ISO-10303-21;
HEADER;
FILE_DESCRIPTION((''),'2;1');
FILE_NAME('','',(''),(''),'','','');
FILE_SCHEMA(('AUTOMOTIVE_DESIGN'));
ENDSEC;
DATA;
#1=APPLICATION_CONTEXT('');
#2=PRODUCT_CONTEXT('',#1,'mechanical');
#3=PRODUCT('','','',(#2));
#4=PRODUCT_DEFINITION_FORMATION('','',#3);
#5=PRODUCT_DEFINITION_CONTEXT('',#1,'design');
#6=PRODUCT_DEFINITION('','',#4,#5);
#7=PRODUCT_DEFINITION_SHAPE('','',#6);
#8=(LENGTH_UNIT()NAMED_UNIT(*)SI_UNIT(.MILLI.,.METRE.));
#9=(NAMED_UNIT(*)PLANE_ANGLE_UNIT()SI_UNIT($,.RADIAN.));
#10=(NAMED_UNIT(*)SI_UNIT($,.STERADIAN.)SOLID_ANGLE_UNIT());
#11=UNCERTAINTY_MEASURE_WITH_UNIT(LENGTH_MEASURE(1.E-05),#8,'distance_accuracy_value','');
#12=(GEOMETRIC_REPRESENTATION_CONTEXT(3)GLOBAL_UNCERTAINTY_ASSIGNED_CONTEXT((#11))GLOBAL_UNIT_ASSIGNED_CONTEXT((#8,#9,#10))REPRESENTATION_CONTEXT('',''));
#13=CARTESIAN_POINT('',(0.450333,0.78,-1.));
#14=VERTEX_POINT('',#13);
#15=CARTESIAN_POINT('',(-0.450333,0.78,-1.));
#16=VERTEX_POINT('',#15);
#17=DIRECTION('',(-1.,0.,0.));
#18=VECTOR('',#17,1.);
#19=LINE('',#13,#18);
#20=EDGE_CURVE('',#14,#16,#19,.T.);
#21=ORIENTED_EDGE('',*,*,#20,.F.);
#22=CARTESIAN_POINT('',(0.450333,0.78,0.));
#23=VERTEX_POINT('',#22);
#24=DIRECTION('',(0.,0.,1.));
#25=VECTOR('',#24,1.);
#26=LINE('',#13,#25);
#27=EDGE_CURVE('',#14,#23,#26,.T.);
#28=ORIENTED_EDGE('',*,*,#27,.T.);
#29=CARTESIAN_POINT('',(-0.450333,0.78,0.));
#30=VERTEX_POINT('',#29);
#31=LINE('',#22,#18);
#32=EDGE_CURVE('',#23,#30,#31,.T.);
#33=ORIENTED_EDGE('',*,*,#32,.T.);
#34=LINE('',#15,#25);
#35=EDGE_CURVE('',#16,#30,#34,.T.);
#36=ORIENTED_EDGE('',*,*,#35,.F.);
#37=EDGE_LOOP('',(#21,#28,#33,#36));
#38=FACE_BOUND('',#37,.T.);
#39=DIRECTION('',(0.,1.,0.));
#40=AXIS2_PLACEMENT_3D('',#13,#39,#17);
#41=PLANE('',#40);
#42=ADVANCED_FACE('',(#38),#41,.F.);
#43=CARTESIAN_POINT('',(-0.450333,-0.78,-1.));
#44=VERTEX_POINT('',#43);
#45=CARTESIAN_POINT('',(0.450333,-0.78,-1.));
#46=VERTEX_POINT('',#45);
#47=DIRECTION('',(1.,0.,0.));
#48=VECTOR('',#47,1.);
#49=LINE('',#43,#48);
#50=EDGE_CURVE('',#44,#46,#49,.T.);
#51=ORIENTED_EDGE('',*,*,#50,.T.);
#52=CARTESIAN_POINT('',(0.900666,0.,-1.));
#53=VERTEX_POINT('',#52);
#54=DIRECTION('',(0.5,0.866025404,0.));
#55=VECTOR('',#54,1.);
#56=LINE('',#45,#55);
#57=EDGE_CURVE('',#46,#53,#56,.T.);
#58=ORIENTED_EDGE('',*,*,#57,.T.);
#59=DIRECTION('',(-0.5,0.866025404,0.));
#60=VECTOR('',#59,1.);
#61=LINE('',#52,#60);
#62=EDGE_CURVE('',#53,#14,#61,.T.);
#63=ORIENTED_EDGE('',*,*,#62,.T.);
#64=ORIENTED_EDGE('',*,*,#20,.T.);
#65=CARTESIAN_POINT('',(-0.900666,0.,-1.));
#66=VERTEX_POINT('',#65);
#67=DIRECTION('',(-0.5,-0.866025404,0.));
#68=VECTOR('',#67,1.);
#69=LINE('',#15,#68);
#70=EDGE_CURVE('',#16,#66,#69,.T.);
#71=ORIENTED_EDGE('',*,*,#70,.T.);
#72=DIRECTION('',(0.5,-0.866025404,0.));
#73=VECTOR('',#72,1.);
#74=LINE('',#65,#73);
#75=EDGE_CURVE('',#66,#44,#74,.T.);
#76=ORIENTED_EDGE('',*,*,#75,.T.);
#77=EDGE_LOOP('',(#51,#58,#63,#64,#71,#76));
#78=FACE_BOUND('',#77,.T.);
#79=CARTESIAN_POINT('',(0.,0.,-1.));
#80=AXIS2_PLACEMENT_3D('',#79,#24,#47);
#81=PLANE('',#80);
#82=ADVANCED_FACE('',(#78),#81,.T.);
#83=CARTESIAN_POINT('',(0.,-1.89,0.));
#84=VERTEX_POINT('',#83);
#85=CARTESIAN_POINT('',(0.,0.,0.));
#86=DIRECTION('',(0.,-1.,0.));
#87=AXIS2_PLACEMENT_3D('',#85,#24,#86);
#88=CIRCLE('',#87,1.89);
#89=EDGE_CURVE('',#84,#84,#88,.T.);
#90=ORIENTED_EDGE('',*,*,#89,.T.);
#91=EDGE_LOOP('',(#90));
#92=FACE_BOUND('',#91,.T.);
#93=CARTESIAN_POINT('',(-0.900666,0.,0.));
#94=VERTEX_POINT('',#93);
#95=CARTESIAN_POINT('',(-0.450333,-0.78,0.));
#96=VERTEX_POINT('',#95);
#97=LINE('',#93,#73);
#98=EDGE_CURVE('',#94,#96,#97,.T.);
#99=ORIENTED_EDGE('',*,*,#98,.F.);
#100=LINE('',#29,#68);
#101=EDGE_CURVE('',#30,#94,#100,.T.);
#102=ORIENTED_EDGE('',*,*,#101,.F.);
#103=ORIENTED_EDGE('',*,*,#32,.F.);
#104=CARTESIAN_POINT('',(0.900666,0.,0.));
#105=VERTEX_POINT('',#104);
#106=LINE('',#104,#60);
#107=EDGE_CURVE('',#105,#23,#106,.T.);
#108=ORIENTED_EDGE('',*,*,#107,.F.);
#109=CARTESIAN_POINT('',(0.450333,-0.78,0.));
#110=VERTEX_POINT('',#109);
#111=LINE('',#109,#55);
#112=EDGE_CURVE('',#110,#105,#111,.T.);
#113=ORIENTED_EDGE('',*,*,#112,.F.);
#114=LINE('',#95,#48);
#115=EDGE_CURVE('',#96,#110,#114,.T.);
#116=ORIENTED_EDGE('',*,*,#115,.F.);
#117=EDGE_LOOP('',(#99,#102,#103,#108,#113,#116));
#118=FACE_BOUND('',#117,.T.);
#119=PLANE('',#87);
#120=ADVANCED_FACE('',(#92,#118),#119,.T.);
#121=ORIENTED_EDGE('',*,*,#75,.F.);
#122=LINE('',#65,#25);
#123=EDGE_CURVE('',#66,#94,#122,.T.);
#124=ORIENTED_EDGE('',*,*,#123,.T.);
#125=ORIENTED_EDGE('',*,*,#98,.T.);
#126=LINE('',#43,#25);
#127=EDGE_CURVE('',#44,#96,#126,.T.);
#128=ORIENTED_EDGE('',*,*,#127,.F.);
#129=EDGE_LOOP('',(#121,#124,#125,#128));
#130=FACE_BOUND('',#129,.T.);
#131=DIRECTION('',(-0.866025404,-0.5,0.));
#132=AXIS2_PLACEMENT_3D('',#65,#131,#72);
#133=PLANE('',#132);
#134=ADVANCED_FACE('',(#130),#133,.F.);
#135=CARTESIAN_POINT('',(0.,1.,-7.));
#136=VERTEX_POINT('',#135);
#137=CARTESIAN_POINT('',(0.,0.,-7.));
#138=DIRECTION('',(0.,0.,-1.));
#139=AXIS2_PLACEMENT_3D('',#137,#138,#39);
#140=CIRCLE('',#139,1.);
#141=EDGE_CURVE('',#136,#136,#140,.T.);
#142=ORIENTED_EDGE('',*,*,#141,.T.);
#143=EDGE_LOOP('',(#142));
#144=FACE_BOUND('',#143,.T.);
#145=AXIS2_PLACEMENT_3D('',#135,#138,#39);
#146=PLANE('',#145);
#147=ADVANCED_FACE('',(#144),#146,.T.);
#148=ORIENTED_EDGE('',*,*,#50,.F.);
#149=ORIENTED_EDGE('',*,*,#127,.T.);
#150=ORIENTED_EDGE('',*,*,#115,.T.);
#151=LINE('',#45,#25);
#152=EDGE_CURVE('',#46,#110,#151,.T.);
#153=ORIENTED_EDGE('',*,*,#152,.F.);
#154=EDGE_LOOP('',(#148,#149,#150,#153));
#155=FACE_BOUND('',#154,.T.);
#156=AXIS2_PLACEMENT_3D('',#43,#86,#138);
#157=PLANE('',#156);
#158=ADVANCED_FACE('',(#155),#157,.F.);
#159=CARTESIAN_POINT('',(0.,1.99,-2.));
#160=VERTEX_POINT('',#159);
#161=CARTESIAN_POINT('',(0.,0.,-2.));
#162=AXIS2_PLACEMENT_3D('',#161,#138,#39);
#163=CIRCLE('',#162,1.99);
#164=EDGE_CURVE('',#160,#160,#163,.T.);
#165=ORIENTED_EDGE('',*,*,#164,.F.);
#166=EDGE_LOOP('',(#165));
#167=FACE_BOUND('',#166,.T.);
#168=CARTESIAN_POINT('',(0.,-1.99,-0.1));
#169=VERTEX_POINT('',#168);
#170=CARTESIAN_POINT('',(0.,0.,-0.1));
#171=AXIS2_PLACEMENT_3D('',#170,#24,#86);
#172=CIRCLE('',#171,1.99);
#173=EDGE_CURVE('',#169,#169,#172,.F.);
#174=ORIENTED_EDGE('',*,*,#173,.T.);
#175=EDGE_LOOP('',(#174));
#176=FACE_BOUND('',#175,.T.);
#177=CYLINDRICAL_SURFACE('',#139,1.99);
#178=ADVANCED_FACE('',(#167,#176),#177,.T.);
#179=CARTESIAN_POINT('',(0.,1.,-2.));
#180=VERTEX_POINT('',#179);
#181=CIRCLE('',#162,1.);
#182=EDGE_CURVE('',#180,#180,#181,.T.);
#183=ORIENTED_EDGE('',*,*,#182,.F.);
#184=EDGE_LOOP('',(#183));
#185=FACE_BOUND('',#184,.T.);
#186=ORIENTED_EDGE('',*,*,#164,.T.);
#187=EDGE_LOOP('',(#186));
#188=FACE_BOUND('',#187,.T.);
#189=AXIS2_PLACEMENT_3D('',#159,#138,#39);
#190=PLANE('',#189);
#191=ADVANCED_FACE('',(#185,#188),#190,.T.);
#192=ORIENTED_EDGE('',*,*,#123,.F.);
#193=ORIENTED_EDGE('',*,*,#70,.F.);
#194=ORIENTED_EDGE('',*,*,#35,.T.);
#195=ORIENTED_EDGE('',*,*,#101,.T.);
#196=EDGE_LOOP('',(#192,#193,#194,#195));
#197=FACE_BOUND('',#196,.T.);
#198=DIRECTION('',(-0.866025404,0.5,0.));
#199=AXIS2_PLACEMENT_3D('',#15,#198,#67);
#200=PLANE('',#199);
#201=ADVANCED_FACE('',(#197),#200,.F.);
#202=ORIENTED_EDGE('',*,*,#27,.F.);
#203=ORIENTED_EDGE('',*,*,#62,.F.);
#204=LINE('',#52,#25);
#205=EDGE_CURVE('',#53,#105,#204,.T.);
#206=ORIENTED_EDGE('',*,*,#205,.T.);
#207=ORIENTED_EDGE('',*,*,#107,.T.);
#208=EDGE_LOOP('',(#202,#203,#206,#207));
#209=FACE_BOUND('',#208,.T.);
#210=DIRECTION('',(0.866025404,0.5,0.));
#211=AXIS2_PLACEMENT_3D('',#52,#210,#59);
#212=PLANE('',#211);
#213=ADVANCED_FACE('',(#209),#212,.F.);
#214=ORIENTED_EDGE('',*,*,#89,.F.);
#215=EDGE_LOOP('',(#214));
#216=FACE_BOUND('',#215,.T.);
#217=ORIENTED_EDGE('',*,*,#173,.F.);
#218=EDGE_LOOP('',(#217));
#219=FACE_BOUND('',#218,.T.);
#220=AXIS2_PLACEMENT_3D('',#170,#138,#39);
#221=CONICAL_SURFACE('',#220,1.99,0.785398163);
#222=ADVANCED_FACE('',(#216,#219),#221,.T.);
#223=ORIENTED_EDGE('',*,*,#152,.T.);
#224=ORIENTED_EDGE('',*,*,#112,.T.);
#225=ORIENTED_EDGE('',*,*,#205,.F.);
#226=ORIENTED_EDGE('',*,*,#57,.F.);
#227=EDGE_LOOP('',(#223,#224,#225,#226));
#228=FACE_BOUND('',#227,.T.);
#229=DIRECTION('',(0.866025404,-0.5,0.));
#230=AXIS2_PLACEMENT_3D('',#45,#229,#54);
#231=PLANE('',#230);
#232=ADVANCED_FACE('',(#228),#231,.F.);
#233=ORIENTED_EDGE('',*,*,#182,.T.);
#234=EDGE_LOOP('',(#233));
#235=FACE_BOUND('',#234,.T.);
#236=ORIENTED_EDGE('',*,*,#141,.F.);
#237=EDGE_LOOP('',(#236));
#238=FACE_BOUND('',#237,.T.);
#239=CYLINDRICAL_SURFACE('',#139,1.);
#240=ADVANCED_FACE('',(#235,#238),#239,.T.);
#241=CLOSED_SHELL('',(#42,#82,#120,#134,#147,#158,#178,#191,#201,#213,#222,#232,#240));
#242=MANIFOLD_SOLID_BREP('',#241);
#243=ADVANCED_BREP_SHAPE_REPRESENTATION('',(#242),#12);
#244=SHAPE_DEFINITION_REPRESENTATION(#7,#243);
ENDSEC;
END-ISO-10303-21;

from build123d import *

# Parameters (mm, degrees)
CUT_EXTRUDE_1_DEPTH = 1
CHAMFER_627_SIZE    = 0.1


with BuildPart() as part:
    # 草图1 → 旋转1 (revolve)
    with BuildSketch(Plane(origin=(0, 0, 0), x_dir=(0, 0, -1), z_dir=(1, 0, 0))):
        Polygon((0, 0), (0, 1.99), (2, 1.99), (2, 1), (7, 1), (7, 0), align=None)
    revolve(axis=Axis((0, 0, -7), (0, 0, 1)))

    # 草图2 → 切除-拉伸1 (cut)
    with BuildSketch(Plane.XY):
        Polygon((0.45033321, 0.78), (-0.45033321, 0.78), (-0.90066642, 0), (-0.45033321, -0.78), (0.45033321, -0.78), (0.90066642, 0), align=None)
    extrude(amount=-CUT_EXTRUDE_1_DEPTH, mode=Mode.SUBTRACT)

    # Chamfer 627
    chamfer_627_edges = [part.edges().sort_by_distance(p)[0] for p in [
        (0, -1.99, 0),
    ]]
    chamfer(chamfer_627_edges, length=CHAMFER_627_SIZE)


solid = part.part
